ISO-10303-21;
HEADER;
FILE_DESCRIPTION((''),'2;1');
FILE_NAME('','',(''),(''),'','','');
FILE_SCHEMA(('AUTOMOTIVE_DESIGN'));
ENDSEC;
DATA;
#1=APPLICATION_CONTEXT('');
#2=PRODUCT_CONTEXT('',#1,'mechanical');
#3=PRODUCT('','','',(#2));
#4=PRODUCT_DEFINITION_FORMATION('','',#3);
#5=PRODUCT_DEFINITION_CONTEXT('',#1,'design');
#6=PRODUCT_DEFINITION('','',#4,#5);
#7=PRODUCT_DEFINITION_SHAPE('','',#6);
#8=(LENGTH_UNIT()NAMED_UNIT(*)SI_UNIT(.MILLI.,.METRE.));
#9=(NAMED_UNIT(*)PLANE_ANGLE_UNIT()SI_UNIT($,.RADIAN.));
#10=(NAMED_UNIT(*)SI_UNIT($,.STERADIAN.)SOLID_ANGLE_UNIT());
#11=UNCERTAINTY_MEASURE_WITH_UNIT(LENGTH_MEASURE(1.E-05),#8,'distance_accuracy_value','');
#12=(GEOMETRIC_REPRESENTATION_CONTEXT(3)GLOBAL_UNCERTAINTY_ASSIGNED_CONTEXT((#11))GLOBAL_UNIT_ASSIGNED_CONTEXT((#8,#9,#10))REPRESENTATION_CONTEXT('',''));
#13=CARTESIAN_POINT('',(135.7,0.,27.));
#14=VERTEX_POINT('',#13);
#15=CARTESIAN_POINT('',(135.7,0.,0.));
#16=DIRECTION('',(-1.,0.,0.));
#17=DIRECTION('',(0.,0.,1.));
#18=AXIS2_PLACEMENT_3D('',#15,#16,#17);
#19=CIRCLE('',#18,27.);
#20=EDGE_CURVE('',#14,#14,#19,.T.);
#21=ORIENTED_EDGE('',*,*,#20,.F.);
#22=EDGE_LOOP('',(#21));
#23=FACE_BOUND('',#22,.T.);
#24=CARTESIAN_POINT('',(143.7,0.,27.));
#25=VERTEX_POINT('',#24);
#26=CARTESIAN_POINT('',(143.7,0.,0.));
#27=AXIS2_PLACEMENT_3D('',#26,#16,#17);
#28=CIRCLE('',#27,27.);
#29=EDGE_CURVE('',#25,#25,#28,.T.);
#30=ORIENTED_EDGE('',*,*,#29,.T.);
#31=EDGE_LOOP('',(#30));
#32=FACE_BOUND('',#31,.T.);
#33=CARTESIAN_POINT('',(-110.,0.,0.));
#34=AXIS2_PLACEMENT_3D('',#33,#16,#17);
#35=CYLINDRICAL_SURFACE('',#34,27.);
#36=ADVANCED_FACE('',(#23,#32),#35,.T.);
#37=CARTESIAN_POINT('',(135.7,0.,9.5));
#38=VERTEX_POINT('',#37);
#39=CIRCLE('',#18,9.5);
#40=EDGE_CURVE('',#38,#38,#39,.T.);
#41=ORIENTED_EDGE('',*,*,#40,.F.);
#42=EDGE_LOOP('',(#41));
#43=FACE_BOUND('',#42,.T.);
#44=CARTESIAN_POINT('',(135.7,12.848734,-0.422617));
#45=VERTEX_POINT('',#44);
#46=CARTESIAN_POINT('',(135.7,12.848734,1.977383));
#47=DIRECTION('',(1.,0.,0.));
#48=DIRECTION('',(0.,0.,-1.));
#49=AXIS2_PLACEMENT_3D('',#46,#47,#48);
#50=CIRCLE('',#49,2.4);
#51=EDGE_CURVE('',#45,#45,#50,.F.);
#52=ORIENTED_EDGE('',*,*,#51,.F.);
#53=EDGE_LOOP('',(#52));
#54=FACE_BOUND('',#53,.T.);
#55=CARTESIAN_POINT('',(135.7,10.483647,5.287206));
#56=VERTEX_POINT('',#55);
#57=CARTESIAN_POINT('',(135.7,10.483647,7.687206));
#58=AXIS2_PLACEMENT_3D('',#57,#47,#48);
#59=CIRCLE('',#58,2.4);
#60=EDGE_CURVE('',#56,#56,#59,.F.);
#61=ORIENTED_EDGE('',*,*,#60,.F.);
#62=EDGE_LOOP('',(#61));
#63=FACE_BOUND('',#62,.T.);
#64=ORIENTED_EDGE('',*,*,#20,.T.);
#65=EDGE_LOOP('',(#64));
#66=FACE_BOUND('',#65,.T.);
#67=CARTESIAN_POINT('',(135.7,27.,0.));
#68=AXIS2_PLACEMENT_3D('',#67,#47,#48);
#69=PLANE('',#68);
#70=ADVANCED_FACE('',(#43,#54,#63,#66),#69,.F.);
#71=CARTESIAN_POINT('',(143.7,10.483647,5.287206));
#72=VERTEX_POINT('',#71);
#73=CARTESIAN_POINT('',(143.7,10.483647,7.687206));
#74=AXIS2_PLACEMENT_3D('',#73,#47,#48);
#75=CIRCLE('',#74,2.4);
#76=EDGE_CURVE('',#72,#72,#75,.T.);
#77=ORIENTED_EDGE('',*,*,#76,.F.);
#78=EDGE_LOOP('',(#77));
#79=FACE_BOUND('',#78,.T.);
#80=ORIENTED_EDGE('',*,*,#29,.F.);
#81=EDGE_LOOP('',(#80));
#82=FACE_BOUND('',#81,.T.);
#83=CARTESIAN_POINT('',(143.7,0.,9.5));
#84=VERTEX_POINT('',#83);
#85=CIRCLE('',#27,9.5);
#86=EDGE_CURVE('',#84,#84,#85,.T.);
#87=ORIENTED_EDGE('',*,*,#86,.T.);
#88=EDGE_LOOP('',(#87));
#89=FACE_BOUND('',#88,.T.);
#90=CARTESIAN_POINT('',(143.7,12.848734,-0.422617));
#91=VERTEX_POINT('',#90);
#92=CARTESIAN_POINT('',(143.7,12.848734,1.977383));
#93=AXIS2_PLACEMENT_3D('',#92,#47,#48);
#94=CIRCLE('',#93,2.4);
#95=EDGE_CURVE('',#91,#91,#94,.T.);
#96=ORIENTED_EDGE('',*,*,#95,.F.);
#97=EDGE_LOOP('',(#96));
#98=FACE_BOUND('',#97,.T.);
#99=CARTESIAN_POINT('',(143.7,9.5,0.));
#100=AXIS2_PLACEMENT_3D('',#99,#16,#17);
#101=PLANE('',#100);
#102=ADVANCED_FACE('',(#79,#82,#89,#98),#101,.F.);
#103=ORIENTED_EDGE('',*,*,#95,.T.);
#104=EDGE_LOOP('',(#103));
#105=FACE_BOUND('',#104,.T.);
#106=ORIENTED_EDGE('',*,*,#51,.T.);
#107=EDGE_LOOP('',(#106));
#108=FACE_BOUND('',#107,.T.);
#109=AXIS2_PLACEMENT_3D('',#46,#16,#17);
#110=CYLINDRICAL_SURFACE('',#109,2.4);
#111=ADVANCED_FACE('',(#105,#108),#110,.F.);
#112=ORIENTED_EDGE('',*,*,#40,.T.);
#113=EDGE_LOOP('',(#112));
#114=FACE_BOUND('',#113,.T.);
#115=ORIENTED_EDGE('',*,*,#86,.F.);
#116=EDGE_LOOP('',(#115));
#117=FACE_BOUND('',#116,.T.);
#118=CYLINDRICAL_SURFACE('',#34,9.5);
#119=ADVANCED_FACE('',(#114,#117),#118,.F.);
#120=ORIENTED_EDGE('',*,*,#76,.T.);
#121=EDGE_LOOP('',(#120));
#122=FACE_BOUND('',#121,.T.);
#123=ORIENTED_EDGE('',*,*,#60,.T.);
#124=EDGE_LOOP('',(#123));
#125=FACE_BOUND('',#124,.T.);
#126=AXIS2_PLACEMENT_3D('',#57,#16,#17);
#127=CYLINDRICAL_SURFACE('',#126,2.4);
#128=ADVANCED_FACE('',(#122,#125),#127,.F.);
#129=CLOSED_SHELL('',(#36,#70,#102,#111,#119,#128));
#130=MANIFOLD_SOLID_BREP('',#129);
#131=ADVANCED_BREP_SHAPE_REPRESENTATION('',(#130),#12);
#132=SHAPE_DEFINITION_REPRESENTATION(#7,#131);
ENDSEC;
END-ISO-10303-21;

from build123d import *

# Parameters (mm, degrees)
AXIAL_PROFILE_MM_W     = 8
AXIAL_PROFILE_MM_H     = 17.5
AXIAL_HOLES_DEPTH      = 149.686549493
AXIAL_HOLES_DEPTH_BACK = 149.686549493
SKETCH2_R              = 2.4


with BuildPart() as part:
    # Axial profile (mm) → Full revolution (revolve)
    with BuildSketch(Plane.XY, mode=Mode.PRIVATE) as full_revolution_sk:
        with Locations((139.7, 18.25)):
            Rectangle(AXIAL_PROFILE_MM_W, AXIAL_PROFILE_MM_H)
    revolve(full_revolution_sk.sketch.rotate(Axis((-110, 0, 0), (1, 0, 0)), 90), axis=Axis((-110, 0, 0), (1, 0, 0)))

    # Sketch2 → Axial holes (cut, two sides: drawn at the far end of the back side and taken through both)
    with BuildSketch(Plane(origin=(0, 0, 0), x_dir=(0, 0, -1), z_dir=(1, 0, 0)).offset(-AXIAL_HOLES_DEPTH_BACK)):
        with Locations((-1.977382665, 12.848733704)):
            Circle(SKETCH2_R)
        with Locations((-7.687206041, 10.483647423)):
            Circle(SKETCH2_R)
    extrude(amount=AXIAL_HOLES_DEPTH + AXIAL_HOLES_DEPTH_BACK, mode=Mode.SUBTRACT)


solid = part.part
